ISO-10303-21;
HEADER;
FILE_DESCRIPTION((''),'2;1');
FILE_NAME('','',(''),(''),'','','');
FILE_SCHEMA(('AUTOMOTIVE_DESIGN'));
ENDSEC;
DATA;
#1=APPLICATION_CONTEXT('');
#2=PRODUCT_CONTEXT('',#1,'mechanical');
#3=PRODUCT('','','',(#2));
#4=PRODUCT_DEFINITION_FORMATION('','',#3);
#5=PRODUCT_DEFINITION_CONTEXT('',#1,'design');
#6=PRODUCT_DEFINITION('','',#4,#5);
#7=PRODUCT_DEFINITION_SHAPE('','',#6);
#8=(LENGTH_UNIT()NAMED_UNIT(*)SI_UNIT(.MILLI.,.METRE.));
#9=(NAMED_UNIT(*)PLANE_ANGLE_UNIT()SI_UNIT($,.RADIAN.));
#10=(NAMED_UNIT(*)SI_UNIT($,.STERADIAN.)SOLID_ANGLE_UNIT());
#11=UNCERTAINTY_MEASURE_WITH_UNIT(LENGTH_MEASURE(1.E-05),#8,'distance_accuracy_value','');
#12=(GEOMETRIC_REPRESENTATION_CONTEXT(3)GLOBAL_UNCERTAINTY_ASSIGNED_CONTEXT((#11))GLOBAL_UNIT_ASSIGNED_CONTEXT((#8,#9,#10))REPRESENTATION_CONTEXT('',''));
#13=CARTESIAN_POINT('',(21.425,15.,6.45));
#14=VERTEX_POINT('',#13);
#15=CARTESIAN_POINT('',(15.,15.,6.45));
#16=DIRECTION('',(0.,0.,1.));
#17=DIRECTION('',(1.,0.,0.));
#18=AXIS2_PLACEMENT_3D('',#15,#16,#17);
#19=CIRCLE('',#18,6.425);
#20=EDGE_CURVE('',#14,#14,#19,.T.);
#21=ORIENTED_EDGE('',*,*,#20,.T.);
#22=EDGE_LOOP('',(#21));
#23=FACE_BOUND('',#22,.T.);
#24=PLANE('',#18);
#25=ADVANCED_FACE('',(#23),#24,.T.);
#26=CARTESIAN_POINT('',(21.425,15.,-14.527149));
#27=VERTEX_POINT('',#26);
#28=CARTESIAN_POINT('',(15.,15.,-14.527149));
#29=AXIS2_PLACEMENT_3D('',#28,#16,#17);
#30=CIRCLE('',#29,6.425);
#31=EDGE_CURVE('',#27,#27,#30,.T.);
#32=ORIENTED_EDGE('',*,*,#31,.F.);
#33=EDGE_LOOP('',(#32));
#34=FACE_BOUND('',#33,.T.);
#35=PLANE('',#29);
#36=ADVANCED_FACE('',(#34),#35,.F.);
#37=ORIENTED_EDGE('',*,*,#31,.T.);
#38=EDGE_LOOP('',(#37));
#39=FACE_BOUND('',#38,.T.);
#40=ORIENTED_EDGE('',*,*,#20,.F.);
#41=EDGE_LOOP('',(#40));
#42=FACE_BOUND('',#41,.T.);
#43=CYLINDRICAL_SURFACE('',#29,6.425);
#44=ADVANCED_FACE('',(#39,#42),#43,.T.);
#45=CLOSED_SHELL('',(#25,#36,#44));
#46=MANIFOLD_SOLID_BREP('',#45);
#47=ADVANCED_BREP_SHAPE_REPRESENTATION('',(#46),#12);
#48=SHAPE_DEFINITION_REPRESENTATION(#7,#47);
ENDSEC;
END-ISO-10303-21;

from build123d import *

# Parameters (mm, degrees)
SKETCH2_R                = 6.425
BOSS_EXTRUDE1_DEPTH      = 6.45
BOSS_EXTRUDE1_DEPTH_BACK = 14.527149266


with BuildPart() as part:
    # Sketch2 → Boss-Extrude1 (new body, two sides)
    with BuildSketch(Plane.XY) as boss_extrude1_sk:
        with Locations((15, 15)):
            Circle(SKETCH2_R)
    extrude(amount=BOSS_EXTRUDE1_DEPTH)
    extrude(boss_extrude1_sk.sketch, amount=-BOSS_EXTRUDE1_DEPTH_BACK)


solid = part.part
